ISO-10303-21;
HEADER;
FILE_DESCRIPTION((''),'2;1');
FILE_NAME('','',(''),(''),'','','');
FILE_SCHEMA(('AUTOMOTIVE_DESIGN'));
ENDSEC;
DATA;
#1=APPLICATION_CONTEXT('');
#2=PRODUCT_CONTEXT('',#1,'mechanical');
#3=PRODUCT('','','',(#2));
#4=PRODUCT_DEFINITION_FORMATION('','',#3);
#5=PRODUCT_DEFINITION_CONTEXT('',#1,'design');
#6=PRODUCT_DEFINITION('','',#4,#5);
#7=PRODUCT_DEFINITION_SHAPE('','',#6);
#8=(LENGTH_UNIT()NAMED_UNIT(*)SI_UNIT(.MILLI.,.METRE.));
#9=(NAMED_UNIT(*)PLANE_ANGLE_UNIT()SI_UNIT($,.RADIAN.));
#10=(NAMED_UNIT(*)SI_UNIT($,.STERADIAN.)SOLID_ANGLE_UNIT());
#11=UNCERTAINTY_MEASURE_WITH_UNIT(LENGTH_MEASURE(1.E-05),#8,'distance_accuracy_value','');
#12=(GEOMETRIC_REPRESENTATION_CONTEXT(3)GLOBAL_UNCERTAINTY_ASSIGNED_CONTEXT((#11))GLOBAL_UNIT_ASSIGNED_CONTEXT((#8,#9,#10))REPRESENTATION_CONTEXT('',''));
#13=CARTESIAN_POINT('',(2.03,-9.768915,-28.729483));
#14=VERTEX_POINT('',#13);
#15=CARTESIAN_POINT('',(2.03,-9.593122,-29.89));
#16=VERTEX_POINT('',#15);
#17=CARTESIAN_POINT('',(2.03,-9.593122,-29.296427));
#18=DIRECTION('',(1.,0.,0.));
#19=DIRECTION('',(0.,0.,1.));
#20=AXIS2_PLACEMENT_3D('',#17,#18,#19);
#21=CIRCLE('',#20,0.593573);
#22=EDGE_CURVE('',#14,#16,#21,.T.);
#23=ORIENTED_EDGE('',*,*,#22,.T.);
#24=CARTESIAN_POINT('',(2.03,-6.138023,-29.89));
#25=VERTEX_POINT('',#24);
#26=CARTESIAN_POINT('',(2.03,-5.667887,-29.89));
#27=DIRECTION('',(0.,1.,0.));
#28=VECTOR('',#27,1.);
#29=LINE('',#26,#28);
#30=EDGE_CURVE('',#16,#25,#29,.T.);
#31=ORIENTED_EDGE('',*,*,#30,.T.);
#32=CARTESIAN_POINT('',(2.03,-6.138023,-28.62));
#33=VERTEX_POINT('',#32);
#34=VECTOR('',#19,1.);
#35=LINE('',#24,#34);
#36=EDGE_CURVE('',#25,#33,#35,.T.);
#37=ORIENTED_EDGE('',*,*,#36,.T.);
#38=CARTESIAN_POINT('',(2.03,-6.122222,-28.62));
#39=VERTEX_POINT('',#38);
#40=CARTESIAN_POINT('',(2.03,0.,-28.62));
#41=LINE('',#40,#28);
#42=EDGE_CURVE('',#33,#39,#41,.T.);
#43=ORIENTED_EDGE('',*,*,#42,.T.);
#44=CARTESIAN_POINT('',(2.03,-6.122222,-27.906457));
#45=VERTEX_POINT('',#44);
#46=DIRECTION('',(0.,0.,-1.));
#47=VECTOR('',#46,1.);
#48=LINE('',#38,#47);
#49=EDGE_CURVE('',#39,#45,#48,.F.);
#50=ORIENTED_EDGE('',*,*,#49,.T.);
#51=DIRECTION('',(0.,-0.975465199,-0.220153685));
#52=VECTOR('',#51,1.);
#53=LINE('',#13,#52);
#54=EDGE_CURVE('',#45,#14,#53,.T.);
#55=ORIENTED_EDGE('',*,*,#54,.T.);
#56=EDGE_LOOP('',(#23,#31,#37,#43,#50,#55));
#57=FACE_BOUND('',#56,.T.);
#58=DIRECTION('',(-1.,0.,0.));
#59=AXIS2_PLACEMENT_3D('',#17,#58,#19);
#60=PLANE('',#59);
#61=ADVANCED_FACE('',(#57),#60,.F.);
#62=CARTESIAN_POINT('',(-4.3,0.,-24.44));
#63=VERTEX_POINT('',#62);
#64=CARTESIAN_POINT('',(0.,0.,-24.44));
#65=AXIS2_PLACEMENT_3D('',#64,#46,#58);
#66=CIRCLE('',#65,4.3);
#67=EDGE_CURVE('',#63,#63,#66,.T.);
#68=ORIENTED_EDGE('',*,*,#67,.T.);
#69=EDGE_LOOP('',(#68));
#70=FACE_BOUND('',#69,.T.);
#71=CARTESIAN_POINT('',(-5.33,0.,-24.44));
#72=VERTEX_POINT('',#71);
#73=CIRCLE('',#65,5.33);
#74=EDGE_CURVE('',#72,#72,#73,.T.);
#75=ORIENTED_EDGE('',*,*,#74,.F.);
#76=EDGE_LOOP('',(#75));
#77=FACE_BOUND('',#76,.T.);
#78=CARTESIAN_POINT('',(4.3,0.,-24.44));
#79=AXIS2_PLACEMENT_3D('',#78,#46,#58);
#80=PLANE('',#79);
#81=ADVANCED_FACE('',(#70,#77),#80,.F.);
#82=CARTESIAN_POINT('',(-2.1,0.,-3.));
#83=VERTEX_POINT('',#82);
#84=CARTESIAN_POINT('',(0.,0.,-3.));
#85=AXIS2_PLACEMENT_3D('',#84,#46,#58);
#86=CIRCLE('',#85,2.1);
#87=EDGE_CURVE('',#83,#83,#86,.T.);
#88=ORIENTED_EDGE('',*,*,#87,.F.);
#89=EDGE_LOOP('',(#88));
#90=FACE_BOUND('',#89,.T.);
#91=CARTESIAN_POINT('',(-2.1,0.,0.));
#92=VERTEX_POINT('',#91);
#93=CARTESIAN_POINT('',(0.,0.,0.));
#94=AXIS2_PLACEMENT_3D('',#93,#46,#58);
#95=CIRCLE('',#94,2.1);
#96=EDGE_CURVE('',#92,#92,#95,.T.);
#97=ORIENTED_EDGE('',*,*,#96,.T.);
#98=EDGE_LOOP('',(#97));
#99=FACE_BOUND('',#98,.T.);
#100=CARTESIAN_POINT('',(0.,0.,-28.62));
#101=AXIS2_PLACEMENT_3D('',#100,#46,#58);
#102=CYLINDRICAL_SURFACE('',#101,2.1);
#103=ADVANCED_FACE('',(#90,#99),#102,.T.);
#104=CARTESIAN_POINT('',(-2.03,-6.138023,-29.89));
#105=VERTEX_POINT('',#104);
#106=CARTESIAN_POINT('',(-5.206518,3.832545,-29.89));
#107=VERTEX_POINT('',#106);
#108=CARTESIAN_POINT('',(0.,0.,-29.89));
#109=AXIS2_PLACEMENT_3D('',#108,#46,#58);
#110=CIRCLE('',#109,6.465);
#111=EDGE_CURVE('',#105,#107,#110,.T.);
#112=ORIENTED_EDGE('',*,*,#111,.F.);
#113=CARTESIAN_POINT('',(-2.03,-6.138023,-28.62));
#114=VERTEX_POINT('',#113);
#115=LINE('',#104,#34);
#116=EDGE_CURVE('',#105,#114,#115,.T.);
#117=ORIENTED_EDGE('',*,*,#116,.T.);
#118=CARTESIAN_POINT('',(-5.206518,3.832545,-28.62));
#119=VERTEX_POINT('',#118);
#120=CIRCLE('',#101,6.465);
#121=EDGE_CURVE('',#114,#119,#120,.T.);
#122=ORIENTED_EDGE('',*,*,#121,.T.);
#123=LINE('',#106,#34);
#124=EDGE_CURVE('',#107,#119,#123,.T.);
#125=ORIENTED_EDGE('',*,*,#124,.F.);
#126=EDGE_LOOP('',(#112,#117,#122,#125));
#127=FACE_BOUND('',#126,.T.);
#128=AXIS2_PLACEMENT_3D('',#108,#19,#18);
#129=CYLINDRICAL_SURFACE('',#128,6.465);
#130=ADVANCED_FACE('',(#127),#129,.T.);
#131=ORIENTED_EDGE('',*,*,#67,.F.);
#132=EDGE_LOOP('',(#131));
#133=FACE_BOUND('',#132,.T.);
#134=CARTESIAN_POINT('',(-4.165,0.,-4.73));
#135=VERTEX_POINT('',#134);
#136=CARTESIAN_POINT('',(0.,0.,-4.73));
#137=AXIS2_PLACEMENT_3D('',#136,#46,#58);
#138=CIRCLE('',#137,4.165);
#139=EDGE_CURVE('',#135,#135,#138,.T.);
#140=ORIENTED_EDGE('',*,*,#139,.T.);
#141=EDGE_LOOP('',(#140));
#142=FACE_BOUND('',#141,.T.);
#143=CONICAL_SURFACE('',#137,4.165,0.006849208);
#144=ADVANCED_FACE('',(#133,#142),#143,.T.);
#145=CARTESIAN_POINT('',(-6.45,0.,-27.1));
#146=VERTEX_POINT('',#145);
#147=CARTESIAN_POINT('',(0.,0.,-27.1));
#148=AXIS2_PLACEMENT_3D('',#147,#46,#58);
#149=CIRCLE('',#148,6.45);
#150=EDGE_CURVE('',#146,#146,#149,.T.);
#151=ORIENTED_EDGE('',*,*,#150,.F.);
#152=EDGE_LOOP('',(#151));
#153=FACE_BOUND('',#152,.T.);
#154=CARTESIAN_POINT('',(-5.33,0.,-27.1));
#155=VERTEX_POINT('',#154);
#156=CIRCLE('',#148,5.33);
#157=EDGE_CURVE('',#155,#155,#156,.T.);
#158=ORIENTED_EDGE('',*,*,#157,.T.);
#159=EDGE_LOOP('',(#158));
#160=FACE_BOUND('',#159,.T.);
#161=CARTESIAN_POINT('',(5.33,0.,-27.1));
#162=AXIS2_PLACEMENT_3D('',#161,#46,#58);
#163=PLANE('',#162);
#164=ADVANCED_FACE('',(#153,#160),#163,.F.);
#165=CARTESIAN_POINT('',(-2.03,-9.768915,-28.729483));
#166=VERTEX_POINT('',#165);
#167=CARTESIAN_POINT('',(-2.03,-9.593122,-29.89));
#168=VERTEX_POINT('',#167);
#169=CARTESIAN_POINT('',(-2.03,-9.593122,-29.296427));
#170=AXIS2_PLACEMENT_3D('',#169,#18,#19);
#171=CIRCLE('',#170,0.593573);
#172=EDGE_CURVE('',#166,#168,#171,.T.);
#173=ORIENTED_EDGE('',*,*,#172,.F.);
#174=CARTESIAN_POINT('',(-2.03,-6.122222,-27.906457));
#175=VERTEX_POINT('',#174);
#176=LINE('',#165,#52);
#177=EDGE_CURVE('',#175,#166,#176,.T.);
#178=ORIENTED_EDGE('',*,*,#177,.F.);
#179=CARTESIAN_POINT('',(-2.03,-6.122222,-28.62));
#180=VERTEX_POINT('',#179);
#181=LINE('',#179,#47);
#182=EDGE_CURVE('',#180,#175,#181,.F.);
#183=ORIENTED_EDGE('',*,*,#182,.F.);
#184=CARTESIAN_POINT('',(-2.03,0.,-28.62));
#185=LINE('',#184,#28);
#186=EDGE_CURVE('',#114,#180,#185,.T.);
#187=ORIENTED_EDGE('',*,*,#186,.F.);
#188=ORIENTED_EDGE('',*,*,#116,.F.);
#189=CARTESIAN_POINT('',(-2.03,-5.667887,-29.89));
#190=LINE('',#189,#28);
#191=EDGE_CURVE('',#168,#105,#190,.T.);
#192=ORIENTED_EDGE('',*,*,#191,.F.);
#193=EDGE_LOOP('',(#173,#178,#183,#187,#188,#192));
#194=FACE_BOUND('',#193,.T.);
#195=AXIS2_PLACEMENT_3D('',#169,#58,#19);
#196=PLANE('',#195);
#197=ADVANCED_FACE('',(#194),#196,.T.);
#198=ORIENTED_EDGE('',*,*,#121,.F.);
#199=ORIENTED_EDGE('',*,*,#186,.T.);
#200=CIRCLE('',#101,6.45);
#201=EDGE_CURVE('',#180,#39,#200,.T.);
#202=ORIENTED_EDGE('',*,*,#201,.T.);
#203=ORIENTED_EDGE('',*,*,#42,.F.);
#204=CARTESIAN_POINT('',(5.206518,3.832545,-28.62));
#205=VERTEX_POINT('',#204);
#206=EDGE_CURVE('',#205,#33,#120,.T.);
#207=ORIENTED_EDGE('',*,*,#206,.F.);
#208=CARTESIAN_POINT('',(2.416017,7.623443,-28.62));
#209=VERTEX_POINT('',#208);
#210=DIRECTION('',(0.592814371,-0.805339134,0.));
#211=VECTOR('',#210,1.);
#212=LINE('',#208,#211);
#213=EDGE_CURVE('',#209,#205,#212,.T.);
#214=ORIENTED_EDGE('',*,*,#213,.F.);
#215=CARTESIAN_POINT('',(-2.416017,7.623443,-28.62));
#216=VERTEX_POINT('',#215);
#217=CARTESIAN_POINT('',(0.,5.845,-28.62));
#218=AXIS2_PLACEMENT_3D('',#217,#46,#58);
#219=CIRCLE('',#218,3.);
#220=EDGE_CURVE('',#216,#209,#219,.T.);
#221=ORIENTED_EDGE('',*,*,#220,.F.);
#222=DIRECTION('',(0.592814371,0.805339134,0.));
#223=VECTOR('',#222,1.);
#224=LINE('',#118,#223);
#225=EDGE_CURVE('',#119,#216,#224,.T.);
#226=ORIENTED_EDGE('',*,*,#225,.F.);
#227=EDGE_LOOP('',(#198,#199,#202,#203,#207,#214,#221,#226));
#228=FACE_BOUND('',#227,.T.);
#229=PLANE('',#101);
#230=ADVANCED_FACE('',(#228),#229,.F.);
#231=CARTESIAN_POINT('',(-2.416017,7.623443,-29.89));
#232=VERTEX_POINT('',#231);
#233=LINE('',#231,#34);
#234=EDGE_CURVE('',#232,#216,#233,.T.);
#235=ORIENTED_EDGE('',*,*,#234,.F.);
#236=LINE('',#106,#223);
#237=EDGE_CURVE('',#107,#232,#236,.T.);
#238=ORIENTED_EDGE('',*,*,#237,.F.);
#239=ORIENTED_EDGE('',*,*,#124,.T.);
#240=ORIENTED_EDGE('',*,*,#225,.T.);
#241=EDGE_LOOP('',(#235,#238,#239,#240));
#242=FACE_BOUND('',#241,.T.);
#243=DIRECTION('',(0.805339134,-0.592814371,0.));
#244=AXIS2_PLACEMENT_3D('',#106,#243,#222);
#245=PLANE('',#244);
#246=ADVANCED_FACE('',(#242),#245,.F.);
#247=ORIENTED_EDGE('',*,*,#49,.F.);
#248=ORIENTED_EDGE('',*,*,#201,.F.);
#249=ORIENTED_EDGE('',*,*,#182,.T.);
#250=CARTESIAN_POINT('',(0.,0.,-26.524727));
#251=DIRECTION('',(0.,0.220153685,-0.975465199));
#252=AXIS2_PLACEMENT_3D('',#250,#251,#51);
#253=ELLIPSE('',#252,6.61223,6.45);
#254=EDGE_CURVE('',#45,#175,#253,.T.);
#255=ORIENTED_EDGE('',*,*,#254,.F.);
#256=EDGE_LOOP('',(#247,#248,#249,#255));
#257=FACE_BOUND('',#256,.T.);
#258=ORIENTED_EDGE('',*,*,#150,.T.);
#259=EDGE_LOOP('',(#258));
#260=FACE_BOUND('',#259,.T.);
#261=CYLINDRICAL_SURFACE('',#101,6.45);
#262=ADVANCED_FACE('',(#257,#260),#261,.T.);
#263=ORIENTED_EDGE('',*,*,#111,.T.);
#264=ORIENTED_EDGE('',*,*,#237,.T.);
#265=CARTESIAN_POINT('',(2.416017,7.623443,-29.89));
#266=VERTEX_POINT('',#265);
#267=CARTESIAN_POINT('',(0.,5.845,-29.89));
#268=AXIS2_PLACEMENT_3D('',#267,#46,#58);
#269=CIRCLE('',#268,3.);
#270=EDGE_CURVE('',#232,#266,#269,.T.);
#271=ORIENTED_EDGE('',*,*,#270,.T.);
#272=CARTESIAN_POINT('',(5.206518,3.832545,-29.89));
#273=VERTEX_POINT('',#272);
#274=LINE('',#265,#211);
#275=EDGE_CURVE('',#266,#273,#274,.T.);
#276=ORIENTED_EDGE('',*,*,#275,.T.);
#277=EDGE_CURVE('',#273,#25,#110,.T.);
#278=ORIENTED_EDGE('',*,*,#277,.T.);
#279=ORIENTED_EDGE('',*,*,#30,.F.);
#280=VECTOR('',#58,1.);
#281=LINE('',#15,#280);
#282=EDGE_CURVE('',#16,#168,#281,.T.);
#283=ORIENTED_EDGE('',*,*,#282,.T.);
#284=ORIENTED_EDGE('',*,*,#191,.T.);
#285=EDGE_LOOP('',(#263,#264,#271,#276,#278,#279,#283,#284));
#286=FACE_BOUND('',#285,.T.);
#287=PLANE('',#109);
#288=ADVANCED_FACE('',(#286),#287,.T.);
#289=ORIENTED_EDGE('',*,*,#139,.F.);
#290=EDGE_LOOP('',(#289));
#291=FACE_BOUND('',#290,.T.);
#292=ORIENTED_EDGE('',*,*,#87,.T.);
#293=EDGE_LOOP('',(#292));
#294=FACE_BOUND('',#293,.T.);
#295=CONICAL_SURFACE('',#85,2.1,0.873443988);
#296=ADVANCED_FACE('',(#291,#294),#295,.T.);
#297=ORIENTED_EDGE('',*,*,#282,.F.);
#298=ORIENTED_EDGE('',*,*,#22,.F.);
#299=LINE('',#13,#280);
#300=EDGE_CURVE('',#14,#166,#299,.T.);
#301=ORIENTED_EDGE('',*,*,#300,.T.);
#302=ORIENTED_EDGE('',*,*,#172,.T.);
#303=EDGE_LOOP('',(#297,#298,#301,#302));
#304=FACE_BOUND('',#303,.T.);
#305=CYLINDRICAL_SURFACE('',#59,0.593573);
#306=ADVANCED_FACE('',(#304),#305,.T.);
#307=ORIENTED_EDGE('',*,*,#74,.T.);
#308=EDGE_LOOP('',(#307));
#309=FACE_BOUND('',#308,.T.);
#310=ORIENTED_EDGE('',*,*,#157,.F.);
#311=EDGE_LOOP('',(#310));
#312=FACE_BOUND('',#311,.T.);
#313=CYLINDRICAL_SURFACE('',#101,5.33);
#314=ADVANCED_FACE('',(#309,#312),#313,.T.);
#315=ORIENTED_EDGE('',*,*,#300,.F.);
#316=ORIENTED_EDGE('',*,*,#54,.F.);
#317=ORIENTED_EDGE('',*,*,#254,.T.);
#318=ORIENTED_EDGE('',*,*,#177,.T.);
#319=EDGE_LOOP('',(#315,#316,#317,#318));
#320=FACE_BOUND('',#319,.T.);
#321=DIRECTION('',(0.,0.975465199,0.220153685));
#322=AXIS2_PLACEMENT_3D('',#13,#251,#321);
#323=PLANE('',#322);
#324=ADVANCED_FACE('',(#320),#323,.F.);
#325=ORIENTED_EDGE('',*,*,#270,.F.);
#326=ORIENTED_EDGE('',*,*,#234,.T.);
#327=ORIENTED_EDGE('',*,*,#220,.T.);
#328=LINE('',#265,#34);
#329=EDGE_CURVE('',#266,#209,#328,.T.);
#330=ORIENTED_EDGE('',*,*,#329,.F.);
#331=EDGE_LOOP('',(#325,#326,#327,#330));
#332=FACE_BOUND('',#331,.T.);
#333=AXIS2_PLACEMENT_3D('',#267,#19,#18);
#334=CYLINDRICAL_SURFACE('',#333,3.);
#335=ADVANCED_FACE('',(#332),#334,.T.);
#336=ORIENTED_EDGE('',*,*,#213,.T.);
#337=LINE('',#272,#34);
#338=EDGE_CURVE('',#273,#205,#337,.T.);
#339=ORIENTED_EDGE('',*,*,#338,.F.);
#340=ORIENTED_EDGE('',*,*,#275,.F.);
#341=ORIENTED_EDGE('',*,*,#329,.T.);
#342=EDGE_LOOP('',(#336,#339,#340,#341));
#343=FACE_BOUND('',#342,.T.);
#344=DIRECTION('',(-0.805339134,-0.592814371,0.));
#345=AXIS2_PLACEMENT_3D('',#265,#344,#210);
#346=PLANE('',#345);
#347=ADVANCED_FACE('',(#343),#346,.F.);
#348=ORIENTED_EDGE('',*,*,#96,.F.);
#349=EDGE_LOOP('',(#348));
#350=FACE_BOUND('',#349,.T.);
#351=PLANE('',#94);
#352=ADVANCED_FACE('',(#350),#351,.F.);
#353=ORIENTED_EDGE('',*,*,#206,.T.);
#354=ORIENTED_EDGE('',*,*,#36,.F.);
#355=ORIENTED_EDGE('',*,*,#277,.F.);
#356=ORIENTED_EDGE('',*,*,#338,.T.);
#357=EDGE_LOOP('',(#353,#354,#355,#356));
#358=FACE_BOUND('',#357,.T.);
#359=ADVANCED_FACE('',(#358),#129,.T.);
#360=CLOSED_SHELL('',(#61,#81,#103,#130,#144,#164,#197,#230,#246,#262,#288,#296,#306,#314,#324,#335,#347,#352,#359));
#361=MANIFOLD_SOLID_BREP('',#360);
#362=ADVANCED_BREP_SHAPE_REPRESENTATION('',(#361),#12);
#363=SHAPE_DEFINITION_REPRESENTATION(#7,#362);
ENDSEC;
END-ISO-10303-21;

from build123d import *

# Parameters (mm, degrees)
BOSS_EXTRUDE1_DEPTH = 1.27
BOSS_EXTRUDE2_DEPTH = 2.03


with BuildPart() as part:
    # Sketch1 → Revolve1 (revolve)
    with BuildSketch(Plane(origin=(0, 0, 0), x_dir=(1, 0, 0), z_dir=(0, 1, 0))):
        Polygon((0, 0), (2.1, 0), (2.1, 3), (4.165, 4.73), (4.3, 24.44), (5.33, 24.44), (5.33, 27.1), (6.45, 27.1), (6.45, 28.62), (0, 28.62), align=None)
    revolve(axis=Axis((0, 0, -28.62), (0, 0, 1)))

    # Sketch2 → Boss-Extrude1 (add)
    with BuildSketch(Plane(origin=(0, 0, -28.62), x_dir=(-1, 0, 0), z_dir=(0, 0, -1))):
        with BuildLine():
            Line((5.206517503, 3.83254491), (2.416017403, 7.623443114))
            ThreePointArc((2.416017403, 7.623443114), (0, 8.845), (-2.416017403, 7.623443114))
            Line((-2.416017403, 7.623443114), (-5.206517503, 3.83254491))
            ThreePointArc((-5.206517503, 3.83254491), (0, -6.465), (5.206517503, 3.83254491))
        make_face()
    extrude(amount=BOSS_EXTRUDE1_DEPTH)

    # Sketch3 → Boss-Extrude2 (add, symmetric)
    with BuildSketch(Plane(origin=(0, 0, 0), x_dir=(0, 0, -1), z_dir=(1, 0, 0))):
        with BuildLine():
            Line((29.89, -5.667887402), (29.89, -9.59312184))
            ThreePointArc((29.89, -9.59312184), (29.385325952, -10.18), (28.729482517, -9.768914535))
            Line((28.729482517, -9.768914535), (27.803917735, -5.667887402))
            Line((27.803917735, -5.667887402), (29.89, -5.667887402))
        make_face()
    extrude(amount=BOSS_EXTRUDE2_DEPTH, both=True)


solid = part.part
